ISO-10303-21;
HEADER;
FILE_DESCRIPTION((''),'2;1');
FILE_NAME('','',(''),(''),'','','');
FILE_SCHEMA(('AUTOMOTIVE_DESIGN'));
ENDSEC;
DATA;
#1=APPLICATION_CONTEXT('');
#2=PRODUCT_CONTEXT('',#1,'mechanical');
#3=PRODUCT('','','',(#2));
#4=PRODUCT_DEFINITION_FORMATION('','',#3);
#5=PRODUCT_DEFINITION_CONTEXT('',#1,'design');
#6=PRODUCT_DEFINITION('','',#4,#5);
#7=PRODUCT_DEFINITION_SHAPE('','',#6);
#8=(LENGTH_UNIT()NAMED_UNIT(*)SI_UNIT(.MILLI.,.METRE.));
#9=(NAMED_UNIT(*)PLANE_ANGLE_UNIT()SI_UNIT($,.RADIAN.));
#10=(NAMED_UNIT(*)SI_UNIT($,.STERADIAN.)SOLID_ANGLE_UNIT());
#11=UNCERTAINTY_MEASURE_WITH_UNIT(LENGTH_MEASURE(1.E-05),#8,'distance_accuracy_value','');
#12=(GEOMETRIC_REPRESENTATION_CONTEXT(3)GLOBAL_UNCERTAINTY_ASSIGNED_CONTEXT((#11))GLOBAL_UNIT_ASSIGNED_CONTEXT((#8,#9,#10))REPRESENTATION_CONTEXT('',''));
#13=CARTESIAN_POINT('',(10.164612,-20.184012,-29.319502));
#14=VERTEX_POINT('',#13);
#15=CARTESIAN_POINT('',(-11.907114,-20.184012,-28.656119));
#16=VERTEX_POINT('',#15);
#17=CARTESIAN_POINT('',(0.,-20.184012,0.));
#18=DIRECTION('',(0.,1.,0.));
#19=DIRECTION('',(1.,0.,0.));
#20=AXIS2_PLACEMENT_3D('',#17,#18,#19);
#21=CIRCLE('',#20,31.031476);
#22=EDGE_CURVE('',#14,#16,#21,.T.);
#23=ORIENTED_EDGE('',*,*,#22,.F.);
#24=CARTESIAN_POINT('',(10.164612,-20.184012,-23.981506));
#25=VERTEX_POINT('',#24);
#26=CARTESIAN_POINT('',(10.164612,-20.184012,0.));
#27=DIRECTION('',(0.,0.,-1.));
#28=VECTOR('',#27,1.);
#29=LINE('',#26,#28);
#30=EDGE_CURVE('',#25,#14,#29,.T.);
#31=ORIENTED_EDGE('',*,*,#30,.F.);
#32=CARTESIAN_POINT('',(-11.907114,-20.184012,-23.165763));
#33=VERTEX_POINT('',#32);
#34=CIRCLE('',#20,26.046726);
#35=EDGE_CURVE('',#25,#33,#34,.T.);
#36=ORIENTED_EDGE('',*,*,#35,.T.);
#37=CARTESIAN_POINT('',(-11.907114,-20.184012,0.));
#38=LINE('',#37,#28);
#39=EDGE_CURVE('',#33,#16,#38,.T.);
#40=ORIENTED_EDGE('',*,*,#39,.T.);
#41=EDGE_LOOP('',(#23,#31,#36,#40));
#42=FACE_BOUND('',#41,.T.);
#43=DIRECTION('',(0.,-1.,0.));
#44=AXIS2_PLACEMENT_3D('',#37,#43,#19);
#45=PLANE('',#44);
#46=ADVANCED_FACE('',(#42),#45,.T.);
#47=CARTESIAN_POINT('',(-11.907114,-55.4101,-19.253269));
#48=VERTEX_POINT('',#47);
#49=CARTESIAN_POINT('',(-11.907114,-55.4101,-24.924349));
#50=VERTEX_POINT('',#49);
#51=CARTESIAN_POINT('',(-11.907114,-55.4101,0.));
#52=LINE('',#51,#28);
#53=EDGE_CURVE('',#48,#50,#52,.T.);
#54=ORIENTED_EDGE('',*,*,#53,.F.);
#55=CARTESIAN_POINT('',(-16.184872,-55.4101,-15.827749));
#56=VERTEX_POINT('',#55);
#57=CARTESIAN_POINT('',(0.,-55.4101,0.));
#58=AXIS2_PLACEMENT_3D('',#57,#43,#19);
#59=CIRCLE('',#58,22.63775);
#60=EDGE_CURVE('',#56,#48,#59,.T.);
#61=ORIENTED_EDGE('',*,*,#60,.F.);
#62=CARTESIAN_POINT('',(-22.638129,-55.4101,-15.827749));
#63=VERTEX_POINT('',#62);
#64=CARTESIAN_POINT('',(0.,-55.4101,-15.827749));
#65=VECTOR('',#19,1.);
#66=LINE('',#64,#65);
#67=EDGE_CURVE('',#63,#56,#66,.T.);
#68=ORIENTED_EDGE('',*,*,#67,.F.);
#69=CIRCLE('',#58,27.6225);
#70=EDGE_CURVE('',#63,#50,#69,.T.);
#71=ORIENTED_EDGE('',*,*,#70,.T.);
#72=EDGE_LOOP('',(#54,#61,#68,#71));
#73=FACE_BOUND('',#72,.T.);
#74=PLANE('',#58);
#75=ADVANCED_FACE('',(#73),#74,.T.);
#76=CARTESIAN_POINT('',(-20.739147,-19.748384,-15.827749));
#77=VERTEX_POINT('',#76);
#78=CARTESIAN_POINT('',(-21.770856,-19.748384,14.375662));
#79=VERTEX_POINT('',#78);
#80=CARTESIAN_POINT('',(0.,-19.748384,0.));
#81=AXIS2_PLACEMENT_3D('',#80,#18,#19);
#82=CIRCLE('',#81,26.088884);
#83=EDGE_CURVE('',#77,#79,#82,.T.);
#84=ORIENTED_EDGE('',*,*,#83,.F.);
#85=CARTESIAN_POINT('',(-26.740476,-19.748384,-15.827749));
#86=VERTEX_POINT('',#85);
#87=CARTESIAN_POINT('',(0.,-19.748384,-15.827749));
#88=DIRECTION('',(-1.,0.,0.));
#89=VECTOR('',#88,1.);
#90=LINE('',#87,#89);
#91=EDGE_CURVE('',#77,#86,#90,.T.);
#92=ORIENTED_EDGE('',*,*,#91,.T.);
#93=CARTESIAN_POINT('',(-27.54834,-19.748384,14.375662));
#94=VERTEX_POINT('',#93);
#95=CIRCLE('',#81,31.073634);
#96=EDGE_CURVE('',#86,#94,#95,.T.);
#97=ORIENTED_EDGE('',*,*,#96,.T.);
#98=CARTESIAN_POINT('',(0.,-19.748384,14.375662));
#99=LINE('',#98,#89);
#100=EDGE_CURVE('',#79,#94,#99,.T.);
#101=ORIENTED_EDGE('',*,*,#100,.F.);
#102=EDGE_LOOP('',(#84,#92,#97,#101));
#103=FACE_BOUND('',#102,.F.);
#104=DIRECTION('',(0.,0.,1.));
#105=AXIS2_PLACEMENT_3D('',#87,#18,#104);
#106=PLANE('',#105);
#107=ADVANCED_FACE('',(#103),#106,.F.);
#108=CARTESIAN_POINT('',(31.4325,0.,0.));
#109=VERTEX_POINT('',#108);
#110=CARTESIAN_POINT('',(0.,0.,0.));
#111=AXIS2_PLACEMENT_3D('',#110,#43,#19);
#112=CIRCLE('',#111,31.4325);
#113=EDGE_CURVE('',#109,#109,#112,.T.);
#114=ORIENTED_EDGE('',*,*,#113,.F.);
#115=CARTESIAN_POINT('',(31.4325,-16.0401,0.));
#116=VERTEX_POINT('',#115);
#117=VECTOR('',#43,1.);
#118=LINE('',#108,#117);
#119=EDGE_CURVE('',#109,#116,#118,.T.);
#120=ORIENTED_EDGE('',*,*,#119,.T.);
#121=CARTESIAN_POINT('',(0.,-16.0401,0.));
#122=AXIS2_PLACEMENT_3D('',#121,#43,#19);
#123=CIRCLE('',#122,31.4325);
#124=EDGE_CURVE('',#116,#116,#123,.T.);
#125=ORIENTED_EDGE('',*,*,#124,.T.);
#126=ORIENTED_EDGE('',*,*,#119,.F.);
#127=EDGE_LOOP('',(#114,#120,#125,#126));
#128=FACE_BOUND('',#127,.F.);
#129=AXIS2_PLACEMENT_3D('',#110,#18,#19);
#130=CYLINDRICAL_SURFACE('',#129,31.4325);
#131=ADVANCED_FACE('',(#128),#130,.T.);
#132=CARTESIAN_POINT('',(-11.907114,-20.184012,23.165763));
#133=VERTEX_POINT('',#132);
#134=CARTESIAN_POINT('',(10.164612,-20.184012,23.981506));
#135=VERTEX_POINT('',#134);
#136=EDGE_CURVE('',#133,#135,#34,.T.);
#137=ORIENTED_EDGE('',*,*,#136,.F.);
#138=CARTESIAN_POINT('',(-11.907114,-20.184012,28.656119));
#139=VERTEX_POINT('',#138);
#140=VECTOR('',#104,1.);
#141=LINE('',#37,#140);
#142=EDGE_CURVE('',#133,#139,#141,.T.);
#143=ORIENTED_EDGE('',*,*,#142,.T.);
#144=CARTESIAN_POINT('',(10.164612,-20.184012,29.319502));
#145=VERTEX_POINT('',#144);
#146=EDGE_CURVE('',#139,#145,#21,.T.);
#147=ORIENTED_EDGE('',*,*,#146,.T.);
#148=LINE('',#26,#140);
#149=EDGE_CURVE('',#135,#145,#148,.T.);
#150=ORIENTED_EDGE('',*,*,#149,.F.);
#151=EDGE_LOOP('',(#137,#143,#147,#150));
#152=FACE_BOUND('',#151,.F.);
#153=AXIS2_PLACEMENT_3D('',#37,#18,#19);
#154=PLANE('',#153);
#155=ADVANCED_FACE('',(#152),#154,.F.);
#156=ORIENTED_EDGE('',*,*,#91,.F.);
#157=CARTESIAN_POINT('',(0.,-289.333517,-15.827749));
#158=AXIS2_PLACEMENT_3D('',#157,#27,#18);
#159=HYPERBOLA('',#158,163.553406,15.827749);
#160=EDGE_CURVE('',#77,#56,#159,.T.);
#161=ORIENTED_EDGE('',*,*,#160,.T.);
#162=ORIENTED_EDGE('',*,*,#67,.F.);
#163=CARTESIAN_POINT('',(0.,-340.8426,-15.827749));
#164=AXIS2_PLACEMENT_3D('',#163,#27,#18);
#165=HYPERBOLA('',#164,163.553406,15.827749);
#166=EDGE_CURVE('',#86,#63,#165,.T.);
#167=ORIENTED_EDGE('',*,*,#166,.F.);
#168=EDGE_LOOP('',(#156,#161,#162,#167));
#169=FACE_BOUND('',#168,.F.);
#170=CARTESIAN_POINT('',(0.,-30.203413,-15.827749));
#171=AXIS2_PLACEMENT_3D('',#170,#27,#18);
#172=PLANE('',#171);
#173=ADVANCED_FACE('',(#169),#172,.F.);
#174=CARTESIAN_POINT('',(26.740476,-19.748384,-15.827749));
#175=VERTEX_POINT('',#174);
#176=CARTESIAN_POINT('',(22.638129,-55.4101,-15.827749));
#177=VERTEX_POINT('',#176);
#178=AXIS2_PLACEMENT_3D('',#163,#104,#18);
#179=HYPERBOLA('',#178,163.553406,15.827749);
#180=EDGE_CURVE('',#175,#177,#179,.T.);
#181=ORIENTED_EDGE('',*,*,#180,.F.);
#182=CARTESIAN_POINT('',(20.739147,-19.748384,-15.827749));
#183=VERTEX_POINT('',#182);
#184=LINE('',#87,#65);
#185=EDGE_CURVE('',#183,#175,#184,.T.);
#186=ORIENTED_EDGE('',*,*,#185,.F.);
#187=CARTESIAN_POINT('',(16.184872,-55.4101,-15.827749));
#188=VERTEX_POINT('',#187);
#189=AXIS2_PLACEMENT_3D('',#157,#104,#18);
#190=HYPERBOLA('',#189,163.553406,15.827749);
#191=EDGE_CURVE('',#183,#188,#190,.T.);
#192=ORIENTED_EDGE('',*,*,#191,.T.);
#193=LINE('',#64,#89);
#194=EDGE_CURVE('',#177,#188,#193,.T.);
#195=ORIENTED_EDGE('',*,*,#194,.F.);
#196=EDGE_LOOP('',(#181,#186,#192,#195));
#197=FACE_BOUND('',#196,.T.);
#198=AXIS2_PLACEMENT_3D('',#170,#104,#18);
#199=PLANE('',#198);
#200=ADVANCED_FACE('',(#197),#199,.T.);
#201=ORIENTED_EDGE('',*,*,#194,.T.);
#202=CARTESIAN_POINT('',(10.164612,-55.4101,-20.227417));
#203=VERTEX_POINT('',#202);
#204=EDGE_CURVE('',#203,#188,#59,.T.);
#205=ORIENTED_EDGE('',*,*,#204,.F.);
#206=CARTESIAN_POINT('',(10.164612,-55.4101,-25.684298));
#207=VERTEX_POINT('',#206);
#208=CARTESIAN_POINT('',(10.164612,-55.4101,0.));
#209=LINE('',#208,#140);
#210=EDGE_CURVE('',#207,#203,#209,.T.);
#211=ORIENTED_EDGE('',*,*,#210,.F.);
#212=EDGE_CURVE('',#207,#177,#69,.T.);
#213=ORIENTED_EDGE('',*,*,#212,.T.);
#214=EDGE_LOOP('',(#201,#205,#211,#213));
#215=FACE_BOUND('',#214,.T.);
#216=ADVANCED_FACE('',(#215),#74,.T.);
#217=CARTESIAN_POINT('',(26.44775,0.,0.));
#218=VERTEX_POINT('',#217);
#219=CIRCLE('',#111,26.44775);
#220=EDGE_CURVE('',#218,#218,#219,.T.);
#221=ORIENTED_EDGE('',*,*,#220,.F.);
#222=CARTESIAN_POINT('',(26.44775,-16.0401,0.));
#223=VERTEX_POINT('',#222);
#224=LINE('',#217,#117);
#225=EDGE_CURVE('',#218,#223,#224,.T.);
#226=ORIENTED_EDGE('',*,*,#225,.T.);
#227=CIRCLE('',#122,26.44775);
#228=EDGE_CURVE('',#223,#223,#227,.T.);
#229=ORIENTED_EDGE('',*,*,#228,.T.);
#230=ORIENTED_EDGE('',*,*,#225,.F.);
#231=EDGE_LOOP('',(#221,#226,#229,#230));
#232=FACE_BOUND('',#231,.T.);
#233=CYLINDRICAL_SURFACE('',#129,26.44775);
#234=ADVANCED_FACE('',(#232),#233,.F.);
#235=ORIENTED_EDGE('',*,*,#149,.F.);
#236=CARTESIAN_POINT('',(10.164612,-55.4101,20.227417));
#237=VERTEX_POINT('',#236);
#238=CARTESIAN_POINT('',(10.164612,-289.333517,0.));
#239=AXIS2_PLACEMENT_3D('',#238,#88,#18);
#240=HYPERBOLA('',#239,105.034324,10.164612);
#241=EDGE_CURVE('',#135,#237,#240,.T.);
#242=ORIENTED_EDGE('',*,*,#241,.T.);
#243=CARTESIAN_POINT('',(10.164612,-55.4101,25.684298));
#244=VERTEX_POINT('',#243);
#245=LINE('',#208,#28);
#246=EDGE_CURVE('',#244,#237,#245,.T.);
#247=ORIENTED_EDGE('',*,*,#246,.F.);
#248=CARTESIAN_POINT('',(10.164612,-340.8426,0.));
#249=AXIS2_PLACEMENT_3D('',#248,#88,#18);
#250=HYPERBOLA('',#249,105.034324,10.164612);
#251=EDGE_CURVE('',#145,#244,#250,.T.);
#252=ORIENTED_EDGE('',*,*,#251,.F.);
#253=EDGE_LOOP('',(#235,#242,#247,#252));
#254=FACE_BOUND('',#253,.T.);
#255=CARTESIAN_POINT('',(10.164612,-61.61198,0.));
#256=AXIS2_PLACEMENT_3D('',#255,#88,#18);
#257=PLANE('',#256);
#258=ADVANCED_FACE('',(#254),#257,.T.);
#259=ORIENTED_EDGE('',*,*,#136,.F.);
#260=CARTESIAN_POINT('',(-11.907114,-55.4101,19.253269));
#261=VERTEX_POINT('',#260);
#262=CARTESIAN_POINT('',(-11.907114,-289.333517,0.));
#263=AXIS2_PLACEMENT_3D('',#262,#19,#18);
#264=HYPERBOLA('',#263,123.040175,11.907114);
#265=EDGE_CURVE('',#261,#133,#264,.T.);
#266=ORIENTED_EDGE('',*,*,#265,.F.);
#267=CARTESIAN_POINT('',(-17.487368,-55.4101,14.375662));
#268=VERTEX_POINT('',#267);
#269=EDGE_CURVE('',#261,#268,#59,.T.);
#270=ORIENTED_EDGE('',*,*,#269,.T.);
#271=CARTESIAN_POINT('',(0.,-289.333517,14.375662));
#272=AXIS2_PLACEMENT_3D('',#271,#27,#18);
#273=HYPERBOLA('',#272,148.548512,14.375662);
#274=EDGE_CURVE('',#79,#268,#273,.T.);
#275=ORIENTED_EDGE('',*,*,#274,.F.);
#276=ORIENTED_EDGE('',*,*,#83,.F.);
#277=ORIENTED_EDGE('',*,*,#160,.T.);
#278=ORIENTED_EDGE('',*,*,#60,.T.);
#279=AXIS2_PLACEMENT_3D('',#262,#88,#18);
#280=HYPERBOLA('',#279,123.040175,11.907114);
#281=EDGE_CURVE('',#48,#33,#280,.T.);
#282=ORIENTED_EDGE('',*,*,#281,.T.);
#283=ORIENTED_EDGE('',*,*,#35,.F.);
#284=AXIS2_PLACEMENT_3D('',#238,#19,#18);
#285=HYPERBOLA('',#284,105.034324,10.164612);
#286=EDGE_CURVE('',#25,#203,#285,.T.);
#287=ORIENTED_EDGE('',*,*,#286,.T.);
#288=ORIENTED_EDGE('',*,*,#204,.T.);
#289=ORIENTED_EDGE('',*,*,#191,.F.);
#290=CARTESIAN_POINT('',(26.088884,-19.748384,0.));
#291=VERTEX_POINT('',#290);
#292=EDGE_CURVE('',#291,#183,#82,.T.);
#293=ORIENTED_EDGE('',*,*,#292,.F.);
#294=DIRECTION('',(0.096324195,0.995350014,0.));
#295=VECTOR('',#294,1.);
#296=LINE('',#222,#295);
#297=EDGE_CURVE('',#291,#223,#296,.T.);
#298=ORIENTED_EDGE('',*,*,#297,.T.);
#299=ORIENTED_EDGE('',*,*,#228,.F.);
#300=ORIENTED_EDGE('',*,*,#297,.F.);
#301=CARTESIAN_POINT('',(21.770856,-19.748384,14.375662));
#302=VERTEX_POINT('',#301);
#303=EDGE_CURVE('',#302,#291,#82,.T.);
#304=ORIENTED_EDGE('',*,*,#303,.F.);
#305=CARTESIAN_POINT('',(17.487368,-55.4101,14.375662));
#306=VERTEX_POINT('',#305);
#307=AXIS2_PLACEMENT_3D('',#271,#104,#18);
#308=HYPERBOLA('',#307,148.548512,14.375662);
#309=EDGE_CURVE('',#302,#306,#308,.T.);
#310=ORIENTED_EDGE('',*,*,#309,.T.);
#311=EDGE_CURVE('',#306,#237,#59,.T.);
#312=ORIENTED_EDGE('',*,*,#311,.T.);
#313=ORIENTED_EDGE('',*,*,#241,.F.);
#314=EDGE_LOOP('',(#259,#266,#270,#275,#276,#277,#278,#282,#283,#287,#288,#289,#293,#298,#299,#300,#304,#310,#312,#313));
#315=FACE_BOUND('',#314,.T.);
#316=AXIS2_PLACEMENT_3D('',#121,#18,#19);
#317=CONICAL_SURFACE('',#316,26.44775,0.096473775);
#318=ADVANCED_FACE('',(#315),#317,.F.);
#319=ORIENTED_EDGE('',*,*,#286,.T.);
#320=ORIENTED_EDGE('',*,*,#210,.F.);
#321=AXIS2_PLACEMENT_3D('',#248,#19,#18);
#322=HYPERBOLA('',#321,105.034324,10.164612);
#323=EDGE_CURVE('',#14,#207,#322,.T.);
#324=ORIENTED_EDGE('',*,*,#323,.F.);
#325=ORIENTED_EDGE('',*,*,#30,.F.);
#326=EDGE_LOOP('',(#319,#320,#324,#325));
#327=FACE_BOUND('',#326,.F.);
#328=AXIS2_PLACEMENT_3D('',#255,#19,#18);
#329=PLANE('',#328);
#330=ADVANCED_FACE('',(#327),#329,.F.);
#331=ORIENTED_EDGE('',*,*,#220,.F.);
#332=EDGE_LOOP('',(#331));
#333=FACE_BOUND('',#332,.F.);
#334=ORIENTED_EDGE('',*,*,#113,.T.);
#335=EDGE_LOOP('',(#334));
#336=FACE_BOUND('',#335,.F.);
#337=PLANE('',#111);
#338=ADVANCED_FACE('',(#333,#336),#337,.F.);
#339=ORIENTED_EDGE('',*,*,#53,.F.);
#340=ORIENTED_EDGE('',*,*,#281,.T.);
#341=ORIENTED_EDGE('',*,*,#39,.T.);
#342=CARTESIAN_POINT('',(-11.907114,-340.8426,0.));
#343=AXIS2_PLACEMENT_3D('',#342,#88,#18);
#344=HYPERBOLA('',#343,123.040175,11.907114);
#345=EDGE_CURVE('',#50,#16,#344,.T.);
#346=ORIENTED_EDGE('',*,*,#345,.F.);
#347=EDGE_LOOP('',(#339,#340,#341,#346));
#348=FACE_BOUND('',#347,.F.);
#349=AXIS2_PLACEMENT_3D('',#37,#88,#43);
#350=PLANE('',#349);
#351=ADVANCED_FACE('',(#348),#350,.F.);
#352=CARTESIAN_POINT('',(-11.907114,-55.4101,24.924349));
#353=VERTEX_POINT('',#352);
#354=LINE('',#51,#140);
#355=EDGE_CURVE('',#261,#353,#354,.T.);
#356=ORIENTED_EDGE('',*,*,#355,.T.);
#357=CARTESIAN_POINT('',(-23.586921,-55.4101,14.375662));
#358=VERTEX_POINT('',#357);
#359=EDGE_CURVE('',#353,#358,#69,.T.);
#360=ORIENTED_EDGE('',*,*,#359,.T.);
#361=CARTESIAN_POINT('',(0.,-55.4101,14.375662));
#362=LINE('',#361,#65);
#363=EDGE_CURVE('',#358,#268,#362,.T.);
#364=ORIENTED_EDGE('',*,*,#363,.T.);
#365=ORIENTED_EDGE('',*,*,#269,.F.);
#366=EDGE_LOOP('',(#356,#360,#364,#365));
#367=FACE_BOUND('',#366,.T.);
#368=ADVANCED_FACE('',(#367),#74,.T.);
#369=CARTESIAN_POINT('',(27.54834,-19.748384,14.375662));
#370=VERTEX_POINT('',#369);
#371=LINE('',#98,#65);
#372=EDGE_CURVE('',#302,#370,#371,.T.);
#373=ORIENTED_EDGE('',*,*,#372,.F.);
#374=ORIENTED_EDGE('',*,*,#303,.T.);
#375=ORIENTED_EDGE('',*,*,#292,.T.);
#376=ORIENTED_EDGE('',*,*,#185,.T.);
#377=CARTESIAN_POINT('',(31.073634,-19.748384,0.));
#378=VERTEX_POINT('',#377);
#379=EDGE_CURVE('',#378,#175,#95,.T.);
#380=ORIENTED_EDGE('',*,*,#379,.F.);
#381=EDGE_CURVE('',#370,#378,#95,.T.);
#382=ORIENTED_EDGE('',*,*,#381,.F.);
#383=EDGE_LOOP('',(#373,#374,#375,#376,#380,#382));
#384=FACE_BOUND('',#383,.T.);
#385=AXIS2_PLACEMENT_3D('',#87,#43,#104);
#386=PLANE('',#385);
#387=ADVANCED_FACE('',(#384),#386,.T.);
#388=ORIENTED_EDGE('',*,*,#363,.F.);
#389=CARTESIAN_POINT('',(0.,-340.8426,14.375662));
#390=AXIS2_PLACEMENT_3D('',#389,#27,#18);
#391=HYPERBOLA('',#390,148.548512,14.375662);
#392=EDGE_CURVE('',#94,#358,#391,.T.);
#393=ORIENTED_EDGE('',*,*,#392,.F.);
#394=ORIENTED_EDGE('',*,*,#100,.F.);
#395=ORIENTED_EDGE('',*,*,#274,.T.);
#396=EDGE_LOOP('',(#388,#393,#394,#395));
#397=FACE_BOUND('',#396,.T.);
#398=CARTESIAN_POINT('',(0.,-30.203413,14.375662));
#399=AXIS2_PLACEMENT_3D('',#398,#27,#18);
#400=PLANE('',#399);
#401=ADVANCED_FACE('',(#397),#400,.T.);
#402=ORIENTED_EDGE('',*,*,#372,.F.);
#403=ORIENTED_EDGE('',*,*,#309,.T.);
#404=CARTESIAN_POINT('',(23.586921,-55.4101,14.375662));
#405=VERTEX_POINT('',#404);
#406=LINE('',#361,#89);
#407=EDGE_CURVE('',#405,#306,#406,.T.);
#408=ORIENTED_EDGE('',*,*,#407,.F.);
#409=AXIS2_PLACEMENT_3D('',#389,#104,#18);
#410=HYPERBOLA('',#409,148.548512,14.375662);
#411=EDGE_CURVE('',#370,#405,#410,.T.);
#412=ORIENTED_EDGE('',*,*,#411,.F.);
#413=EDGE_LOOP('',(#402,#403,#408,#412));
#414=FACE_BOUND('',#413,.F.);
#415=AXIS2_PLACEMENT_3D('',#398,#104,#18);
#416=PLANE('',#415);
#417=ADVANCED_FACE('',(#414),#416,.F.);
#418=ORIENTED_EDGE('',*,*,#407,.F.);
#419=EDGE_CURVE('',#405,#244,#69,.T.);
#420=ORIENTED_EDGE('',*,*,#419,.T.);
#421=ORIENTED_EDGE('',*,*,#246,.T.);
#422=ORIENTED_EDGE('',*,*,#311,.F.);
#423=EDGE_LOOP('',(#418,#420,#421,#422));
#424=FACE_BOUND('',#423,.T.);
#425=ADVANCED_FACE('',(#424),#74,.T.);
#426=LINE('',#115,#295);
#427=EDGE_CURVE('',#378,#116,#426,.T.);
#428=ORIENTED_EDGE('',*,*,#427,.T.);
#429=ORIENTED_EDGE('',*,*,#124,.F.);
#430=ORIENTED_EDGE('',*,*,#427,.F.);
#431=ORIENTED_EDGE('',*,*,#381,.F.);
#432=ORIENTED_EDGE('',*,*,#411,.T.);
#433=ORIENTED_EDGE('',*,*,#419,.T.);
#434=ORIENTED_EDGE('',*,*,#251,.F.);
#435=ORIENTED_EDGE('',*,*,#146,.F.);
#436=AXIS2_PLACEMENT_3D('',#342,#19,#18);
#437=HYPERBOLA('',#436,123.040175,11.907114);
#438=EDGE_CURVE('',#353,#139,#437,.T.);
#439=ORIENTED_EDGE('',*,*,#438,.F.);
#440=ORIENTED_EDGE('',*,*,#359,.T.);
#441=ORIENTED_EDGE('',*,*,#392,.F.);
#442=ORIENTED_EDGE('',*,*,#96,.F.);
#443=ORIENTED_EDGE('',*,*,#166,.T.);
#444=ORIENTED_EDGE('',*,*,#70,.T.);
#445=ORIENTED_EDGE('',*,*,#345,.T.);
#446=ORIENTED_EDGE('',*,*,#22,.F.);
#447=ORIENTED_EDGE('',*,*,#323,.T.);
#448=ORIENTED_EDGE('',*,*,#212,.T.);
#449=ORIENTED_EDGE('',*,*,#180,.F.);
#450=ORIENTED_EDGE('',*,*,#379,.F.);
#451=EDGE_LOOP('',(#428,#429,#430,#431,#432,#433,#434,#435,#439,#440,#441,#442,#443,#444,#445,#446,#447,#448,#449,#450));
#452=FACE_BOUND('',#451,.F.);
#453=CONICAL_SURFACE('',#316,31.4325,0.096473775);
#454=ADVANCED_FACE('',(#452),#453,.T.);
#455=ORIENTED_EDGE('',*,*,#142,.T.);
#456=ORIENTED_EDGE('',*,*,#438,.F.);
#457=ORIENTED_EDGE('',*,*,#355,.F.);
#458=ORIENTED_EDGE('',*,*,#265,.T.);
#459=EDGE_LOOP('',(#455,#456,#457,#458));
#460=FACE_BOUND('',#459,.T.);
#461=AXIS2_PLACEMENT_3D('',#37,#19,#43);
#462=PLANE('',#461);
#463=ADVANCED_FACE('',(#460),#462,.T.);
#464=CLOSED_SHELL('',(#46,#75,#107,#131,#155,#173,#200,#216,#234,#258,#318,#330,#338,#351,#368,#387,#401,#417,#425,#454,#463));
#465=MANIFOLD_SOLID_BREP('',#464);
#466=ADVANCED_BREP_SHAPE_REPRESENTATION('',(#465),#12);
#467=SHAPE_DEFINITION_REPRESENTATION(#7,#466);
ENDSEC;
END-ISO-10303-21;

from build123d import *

# Parameters (mm, degrees)
F0_R           = 26.44775
F1_DEPTH       = 55.4101
F2_SIZE2       = 39.37
F2_SIZE        = 3.81
F3_R           = 31.4325
F4_DEPTH       = 55.4101
F5_SIZE2       = 39.37
F5_SIZE        = 3.81
F7_W           = 10.4550290853
F7_H           = 15.8277489245
F7_H_2         = 14.3756624311
F8_DEPTH       = 43.9235
F8_DEPTH_BACK  = 42.42753
F9_W           = 22.0717256889
F9_H           = 9.8741929978
F9_H_2         = 31.5537750721
F10_DEPTH      = 52.69923
F10_DEPTH_BACK = 50.37589


with BuildPart() as f1:
    # F0 (on Front) → F1 (new body)
    with BuildSketch(Plane.XZ):
        Circle(F0_R)
    extrude(amount=F1_DEPTH)

    # F2
    f2_edges = [f1.edges().sort_by_distance(p)[0] for p in [
        (-26.44775, -55.4101, 0),
    ]]
    f2_side = f1.faces().sort_by_distance((0, -55.4101, 0))[0]
    chamfer(f2_edges, length=F2_SIZE, length2=F2_SIZE2, reference=f2_side)


with BuildPart() as f4:
    # F3 (on Front) → F4 (new body)
    with BuildSketch(Plane.XZ):
        Circle(F3_R)
    extrude(amount=F4_DEPTH)

    # F5
    f5_edges = [f4.edges().sort_by_distance(p)[0] for p in [
        (-31.4325, -55.4101, 0),
    ]]
    f5_side = f4.faces().sort_by_distance((0, -55.4101, 0))[0]
    chamfer(f5_edges, length=F5_SIZE, length2=F5_SIZE2, reference=f5_side)

    # F6: cut F1
    add(f1.part, mode=Mode.SUBTRACT)

    # F7 (on Right) → F8 (cut, two sides)
    with BuildSketch(Plane.YZ) as f8_sk:
        with Locations((-24.9758986756, -7.9138744622)):
            Rectangle(F7_W, F7_H)
        with Locations((-24.9758986756, 7.1878312156)):
            Rectangle(F7_W, F7_H_2)
        Polygon((-30.2034132183, -15.8277489245), (-30.2034132183, 0), (-30.2034132183, 14.3756624311), (-65.0081411004, 14.3756624311), (-65.0081411004, -15.8277489245), align=None)
    extrude(amount=F8_DEPTH, mode=Mode.SUBTRACT)
    extrude(f8_sk.sketch, amount=-F8_DEPTH_BACK, mode=Mode.SUBTRACT)

    # F9 (on Top) → F10 (cut, two sides)
    with BuildSketch(Plane.XY) as f10_sk:
        with Locations((-0.8712508716, -25.1211086288)):
            Rectangle(F9_W, F9_H)
        with Locations((-0.8712508716, -45.8350926638)):
            Rectangle(F9_W, F9_H_2)
    extrude(amount=F10_DEPTH, mode=Mode.SUBTRACT)
    extrude(f10_sk.sketch, amount=-F10_DEPTH_BACK, mode=Mode.SUBTRACT)


solid = f4.part
